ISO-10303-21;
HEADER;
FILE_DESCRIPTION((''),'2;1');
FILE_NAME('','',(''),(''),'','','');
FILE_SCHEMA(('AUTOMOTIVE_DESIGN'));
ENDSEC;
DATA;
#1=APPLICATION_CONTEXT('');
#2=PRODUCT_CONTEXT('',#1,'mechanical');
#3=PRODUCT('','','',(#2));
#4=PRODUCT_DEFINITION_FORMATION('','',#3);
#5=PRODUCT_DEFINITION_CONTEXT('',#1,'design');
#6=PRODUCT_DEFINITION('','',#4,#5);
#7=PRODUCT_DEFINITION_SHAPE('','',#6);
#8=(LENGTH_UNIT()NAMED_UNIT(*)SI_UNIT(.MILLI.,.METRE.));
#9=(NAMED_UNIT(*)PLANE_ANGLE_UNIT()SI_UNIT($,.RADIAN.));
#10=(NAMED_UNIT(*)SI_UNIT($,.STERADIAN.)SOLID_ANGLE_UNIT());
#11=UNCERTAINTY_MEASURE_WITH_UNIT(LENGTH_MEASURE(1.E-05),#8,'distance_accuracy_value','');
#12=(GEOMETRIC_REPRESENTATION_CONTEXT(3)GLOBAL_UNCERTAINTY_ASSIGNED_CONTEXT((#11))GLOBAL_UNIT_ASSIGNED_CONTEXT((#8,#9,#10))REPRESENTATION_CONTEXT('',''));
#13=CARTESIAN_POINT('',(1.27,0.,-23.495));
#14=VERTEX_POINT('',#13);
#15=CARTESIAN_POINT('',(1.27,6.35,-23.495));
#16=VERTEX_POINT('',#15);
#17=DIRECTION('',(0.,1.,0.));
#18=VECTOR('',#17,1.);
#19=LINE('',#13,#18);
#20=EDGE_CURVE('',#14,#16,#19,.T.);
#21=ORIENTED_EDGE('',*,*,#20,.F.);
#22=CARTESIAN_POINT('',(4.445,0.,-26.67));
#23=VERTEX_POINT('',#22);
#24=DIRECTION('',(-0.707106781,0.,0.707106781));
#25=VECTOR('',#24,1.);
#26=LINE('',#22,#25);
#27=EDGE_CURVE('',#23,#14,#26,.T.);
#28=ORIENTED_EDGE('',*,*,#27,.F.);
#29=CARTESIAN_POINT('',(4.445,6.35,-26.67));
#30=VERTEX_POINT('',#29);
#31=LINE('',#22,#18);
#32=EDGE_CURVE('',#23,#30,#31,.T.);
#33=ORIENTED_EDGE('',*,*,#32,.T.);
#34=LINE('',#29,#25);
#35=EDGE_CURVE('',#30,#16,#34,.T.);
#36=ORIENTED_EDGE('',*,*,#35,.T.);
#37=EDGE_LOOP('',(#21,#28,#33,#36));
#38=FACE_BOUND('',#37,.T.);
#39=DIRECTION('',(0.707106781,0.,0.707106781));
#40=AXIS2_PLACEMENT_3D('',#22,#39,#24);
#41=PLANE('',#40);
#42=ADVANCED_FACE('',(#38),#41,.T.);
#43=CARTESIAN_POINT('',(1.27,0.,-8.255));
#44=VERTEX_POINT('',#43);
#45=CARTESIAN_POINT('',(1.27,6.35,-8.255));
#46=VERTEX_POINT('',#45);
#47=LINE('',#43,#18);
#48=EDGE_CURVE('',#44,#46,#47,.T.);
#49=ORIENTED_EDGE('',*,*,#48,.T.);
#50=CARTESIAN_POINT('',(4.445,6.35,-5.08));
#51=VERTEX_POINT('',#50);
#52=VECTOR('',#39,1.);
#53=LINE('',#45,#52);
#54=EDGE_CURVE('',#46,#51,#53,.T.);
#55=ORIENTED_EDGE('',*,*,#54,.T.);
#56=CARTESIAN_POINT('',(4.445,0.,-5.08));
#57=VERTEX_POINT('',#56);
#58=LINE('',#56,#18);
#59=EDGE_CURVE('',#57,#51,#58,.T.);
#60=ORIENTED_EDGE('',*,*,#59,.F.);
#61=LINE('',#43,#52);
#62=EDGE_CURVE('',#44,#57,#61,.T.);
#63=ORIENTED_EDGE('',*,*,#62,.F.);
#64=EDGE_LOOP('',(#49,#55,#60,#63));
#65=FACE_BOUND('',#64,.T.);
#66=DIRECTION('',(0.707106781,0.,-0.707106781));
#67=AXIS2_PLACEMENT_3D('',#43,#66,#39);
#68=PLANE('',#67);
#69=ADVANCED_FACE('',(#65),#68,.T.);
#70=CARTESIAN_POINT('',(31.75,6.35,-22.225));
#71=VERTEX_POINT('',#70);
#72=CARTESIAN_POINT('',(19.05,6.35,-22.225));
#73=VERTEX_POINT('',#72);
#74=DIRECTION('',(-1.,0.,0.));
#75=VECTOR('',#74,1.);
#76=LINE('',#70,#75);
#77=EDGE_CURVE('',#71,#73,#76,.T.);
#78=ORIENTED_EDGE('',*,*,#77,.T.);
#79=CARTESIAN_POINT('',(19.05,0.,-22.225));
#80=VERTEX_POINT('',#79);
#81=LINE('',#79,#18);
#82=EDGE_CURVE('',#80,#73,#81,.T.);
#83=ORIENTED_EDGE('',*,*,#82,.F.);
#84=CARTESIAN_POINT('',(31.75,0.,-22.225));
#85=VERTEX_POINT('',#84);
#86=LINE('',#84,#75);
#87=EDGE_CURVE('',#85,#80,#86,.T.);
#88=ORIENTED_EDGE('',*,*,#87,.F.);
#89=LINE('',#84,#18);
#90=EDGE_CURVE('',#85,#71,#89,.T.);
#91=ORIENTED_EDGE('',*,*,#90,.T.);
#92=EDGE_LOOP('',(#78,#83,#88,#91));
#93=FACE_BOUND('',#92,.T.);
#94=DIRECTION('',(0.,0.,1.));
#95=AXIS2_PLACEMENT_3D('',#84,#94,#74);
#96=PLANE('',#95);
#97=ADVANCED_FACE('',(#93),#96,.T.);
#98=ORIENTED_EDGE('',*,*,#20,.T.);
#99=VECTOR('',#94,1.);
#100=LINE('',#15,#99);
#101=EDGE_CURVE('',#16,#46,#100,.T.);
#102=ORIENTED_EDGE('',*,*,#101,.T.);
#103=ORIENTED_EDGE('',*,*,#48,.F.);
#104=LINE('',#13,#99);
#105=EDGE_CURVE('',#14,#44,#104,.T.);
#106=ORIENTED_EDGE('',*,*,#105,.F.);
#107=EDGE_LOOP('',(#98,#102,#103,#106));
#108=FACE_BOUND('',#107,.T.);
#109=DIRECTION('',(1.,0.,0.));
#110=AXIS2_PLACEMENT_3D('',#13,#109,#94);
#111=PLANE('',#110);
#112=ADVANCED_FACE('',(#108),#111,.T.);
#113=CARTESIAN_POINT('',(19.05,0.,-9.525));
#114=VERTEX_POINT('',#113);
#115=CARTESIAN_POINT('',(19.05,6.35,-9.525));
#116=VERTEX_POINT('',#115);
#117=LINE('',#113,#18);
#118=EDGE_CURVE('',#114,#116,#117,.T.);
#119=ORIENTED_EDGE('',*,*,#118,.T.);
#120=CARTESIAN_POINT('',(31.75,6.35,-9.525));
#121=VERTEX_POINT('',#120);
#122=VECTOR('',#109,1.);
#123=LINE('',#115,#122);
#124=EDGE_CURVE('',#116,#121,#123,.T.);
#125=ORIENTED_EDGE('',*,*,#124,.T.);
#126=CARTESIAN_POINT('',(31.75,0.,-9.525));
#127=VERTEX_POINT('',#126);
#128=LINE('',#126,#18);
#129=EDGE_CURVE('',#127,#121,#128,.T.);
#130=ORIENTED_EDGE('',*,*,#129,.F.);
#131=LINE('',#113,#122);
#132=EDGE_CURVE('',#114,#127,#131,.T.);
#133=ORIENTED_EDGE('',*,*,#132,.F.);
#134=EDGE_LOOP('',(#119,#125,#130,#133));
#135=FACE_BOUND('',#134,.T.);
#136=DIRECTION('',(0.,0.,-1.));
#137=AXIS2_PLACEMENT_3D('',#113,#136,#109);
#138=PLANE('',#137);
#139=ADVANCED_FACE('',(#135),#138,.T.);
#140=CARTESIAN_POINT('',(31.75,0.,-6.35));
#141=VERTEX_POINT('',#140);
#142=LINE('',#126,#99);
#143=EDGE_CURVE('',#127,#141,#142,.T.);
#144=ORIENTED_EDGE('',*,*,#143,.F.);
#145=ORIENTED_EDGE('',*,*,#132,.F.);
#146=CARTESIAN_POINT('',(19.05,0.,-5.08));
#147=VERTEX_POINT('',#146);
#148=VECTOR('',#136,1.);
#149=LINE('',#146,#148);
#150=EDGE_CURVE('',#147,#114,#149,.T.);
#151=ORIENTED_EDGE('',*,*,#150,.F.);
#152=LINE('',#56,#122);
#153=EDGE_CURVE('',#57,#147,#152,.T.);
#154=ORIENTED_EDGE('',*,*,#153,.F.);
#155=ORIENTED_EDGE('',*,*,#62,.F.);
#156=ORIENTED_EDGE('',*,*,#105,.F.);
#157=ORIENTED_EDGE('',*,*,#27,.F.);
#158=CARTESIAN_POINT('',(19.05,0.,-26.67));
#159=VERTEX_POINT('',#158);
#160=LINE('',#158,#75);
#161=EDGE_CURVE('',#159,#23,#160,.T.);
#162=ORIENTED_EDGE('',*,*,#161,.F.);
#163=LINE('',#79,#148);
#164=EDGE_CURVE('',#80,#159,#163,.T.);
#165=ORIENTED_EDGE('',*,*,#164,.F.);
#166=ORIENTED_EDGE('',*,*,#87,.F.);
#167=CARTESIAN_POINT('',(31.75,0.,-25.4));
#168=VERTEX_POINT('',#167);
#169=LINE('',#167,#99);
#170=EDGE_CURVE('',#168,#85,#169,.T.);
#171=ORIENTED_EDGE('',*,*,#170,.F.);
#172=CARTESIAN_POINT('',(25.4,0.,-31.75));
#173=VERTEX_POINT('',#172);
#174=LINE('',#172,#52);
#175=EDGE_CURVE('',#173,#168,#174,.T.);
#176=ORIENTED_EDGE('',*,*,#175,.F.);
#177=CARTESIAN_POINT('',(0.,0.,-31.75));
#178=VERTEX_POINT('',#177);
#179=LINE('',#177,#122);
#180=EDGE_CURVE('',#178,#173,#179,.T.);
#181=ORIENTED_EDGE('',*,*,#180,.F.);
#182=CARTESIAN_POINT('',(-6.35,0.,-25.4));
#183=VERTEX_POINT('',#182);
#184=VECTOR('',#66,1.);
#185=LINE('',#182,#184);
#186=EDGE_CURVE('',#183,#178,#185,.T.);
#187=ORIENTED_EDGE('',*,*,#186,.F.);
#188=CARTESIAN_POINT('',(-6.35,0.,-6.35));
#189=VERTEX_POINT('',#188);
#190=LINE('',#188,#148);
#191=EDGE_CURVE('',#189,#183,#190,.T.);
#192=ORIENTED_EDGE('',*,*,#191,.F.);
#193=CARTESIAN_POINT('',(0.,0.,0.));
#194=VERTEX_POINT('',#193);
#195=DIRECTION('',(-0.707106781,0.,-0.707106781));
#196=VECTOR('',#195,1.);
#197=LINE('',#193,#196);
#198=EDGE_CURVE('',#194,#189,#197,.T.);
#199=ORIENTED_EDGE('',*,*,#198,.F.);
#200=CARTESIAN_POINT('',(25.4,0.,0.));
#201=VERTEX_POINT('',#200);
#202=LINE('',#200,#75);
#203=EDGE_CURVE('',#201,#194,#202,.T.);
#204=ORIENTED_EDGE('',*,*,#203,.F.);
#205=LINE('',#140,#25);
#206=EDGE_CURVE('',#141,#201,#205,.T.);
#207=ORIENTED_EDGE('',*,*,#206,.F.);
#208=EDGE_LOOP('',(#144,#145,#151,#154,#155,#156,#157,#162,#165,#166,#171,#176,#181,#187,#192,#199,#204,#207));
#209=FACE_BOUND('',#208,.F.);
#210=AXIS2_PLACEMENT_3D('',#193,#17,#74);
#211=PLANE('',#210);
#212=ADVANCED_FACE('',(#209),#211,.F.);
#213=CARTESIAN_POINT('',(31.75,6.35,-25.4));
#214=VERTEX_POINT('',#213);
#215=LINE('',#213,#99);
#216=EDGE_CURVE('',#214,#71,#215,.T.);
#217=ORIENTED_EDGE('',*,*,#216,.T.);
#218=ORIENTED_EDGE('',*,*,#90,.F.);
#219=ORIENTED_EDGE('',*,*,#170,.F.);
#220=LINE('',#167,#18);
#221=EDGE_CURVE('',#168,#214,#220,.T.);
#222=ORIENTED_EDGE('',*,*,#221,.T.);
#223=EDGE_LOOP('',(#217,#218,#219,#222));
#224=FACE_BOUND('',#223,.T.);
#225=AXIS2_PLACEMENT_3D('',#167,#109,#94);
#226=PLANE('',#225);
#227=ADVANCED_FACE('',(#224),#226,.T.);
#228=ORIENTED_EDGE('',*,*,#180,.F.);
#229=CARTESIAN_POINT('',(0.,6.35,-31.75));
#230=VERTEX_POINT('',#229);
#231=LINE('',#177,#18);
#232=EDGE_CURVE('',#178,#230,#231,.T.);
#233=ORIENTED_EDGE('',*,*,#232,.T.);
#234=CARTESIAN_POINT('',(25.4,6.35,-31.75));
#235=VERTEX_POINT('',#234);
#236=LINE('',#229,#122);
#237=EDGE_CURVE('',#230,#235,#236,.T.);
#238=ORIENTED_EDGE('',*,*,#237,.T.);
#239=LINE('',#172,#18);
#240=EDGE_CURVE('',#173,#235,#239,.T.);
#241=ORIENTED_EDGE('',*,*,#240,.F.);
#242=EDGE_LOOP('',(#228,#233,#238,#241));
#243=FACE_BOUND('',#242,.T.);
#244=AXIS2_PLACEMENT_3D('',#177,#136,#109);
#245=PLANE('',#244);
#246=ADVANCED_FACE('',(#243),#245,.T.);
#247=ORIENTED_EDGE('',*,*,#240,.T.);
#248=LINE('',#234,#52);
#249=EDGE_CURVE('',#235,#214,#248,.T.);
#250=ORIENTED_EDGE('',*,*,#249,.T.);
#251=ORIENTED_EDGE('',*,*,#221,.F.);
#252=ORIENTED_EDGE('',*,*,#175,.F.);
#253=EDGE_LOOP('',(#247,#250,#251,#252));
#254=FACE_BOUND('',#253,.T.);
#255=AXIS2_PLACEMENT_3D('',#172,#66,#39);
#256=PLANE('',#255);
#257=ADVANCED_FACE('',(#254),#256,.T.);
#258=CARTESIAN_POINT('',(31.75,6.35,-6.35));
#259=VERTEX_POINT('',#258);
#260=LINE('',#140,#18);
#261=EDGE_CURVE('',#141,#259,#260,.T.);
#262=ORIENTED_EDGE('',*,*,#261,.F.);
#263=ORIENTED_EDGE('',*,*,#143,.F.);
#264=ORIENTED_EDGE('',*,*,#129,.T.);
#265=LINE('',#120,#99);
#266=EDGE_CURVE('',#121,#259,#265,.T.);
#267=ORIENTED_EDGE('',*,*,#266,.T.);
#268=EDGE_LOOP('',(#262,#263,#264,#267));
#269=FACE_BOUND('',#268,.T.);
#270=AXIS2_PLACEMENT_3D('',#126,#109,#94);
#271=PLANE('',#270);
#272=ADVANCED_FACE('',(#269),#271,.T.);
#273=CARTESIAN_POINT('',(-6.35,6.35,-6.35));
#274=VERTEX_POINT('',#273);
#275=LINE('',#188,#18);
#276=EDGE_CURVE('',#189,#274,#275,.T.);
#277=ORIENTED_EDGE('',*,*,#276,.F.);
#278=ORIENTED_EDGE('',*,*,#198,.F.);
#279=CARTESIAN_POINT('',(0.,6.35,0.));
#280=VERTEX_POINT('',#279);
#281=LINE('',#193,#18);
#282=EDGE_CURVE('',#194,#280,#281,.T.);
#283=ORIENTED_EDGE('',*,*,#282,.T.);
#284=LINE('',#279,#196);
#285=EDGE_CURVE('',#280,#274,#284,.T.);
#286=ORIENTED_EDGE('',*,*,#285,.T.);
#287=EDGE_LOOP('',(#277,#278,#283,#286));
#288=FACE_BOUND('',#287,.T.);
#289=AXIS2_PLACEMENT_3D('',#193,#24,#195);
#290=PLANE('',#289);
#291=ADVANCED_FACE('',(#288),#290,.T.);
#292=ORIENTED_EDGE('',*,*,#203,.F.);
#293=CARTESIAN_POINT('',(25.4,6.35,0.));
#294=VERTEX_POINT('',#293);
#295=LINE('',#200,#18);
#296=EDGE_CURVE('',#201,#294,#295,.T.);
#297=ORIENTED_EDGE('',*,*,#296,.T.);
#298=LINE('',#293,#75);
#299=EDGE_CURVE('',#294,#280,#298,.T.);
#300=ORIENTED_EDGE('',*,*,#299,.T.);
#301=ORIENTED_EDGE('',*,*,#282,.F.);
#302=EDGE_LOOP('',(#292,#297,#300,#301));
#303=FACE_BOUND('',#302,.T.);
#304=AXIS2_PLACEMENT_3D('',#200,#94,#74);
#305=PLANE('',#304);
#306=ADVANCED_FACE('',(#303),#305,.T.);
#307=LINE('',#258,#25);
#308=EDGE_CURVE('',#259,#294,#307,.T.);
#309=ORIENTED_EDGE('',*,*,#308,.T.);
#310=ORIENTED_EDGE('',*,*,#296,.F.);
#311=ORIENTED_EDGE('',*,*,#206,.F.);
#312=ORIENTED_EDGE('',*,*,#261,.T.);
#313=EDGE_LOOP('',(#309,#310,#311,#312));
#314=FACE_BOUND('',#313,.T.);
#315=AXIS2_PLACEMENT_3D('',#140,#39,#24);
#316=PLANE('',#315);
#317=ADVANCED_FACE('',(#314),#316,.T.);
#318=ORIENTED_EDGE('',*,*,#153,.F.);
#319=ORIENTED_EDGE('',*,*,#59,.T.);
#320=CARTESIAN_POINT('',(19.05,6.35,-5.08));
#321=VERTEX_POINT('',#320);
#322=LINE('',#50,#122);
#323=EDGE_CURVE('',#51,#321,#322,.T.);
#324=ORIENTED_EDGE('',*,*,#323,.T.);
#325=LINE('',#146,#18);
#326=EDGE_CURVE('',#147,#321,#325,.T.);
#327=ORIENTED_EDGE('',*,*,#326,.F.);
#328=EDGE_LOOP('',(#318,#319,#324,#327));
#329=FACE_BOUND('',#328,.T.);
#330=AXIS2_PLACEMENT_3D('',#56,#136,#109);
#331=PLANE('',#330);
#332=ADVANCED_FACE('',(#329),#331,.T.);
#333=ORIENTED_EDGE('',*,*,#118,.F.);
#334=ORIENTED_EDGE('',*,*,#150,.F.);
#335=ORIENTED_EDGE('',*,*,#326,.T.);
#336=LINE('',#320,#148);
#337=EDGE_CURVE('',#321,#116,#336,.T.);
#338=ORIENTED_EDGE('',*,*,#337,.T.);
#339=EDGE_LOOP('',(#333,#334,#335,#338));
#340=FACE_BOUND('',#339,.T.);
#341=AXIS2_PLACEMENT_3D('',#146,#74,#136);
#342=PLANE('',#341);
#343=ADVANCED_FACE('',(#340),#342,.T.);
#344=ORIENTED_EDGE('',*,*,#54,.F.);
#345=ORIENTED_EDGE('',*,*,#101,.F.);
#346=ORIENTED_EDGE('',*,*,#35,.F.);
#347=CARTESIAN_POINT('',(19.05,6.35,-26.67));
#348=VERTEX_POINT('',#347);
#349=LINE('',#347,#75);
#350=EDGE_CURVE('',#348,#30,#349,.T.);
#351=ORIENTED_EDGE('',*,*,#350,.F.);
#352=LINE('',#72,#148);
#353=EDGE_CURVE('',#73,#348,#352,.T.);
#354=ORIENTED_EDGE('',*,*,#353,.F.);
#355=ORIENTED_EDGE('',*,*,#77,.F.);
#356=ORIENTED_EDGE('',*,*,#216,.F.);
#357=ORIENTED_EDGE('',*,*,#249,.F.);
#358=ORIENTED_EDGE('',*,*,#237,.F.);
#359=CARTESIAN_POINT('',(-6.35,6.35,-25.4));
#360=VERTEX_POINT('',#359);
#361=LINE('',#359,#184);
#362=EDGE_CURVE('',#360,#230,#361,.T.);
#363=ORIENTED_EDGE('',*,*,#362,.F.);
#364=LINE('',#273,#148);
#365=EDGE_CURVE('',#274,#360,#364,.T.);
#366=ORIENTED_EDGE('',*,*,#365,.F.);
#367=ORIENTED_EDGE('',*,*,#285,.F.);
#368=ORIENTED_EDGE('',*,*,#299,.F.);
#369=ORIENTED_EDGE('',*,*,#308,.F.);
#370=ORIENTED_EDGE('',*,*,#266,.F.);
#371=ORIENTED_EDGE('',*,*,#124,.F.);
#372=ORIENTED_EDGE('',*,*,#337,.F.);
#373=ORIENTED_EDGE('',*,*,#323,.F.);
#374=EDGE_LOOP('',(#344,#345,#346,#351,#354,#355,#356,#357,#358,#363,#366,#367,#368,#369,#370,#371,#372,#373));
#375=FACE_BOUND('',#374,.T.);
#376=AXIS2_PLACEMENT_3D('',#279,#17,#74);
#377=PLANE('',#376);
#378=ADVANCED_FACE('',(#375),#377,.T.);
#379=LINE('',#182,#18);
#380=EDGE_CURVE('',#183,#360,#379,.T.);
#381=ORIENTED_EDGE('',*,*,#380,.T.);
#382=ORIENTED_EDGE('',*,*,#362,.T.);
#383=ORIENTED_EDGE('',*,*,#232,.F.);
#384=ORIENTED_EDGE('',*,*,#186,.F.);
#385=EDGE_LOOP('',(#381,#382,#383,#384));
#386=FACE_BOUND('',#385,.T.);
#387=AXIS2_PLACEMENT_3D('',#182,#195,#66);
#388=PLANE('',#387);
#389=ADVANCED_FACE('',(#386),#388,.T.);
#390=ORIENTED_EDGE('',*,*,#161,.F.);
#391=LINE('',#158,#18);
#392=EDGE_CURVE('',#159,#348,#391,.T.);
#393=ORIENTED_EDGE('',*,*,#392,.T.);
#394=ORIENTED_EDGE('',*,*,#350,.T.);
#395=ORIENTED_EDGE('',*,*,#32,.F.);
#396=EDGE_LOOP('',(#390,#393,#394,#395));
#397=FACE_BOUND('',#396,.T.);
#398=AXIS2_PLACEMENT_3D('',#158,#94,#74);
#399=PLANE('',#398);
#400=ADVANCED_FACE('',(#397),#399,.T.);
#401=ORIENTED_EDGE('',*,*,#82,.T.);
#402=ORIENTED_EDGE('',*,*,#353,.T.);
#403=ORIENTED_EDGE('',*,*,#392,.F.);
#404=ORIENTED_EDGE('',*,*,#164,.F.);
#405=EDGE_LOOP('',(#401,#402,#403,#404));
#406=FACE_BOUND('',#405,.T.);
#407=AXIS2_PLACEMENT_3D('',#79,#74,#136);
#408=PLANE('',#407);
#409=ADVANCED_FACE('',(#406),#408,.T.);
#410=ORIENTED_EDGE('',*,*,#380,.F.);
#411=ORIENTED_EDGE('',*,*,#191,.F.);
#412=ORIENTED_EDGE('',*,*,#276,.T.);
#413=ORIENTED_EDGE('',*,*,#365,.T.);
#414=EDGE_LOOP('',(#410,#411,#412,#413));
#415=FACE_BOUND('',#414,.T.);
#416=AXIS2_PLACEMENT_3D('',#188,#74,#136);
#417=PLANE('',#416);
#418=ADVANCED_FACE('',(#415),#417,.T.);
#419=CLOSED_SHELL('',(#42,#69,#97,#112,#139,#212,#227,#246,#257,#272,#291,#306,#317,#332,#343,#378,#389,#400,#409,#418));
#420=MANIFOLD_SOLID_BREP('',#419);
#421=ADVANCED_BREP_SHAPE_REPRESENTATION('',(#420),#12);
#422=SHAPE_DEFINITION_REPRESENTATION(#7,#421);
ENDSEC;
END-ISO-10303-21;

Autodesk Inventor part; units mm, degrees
ref_plane "YZ Plane" through (0, 0, 0) normal (1, 0, 0) x (0, 1, 0)
ref_plane "XZ Plane" through (0, 0, 0) normal (0, 1, 0) x (-1, 0, 0)
ref_plane "XY Plane" through (0, 0, 0) normal (0, 0, 1) x (1, 0, 0)
sketch "Sketch1" plane through (0, 0, 0) normal (0, 1, 0) x (-1, 0, 0)
  line L0 (0, 0) -> (6.35, -6.35)
  line L1 (6.35, -6.35) -> (6.35, -25.4)
  line L2 (6.35, -25.4) -> (0, -31.75)
  line L3 (0, -31.75) -> (-25.4, -31.75)
  line L4 (-25.4, -31.75) -> (-31.75, -25.4)
  line L5 (-31.75, -25.4) -> (-31.75, -22.225)
  line L6 (-31.75, -22.225) -> (-19.05, -22.225)
  line L7 (-19.05, -22.225) -> (-19.05, -26.67)
  line L8 (-19.05, -26.67) -> (-4.445, -26.67)
  line L9 (-4.445, -26.67) -> (-1.27, -23.495)
  line L10 (-1.27, -23.495) -> (-1.27, -8.255)
  line L11 (-1.27, -8.255) -> (-4.445, -5.08)
  line L12 (-4.445, -5.08) -> (-19.05, -5.08)
  line L13 (-19.05, -5.08) -> (-19.05, -9.525)
  line L14 (-19.05, -9.525) -> (-31.75, -9.525)
  line L15 (-31.75, -9.525) -> (-31.75, -6.35)
  line L16 (-31.75, -6.35) -> (-25.4, 0)
  line L17 (-25.4, 0) -> (0, 0)
  dimension "d0" = 45
  dimension "d1" = 38.1
  dimension "d2" = 31.75
  dimension "d3" = 9.525
  dimension "d4" = 5.08
  dimension "d5" = 12.7
  dimension "d6" = 5.08
  dimension "d7" = 3.175
  dimension "d8" = 7.62
  dimension "d9" = 6.35
  dimension "d10" = 31.75
  dimension "d11" = 12.7
extrude "Extrusion1" add sketch "Sketch1" along normal blind 6.35
properties part number "C-Clip"
